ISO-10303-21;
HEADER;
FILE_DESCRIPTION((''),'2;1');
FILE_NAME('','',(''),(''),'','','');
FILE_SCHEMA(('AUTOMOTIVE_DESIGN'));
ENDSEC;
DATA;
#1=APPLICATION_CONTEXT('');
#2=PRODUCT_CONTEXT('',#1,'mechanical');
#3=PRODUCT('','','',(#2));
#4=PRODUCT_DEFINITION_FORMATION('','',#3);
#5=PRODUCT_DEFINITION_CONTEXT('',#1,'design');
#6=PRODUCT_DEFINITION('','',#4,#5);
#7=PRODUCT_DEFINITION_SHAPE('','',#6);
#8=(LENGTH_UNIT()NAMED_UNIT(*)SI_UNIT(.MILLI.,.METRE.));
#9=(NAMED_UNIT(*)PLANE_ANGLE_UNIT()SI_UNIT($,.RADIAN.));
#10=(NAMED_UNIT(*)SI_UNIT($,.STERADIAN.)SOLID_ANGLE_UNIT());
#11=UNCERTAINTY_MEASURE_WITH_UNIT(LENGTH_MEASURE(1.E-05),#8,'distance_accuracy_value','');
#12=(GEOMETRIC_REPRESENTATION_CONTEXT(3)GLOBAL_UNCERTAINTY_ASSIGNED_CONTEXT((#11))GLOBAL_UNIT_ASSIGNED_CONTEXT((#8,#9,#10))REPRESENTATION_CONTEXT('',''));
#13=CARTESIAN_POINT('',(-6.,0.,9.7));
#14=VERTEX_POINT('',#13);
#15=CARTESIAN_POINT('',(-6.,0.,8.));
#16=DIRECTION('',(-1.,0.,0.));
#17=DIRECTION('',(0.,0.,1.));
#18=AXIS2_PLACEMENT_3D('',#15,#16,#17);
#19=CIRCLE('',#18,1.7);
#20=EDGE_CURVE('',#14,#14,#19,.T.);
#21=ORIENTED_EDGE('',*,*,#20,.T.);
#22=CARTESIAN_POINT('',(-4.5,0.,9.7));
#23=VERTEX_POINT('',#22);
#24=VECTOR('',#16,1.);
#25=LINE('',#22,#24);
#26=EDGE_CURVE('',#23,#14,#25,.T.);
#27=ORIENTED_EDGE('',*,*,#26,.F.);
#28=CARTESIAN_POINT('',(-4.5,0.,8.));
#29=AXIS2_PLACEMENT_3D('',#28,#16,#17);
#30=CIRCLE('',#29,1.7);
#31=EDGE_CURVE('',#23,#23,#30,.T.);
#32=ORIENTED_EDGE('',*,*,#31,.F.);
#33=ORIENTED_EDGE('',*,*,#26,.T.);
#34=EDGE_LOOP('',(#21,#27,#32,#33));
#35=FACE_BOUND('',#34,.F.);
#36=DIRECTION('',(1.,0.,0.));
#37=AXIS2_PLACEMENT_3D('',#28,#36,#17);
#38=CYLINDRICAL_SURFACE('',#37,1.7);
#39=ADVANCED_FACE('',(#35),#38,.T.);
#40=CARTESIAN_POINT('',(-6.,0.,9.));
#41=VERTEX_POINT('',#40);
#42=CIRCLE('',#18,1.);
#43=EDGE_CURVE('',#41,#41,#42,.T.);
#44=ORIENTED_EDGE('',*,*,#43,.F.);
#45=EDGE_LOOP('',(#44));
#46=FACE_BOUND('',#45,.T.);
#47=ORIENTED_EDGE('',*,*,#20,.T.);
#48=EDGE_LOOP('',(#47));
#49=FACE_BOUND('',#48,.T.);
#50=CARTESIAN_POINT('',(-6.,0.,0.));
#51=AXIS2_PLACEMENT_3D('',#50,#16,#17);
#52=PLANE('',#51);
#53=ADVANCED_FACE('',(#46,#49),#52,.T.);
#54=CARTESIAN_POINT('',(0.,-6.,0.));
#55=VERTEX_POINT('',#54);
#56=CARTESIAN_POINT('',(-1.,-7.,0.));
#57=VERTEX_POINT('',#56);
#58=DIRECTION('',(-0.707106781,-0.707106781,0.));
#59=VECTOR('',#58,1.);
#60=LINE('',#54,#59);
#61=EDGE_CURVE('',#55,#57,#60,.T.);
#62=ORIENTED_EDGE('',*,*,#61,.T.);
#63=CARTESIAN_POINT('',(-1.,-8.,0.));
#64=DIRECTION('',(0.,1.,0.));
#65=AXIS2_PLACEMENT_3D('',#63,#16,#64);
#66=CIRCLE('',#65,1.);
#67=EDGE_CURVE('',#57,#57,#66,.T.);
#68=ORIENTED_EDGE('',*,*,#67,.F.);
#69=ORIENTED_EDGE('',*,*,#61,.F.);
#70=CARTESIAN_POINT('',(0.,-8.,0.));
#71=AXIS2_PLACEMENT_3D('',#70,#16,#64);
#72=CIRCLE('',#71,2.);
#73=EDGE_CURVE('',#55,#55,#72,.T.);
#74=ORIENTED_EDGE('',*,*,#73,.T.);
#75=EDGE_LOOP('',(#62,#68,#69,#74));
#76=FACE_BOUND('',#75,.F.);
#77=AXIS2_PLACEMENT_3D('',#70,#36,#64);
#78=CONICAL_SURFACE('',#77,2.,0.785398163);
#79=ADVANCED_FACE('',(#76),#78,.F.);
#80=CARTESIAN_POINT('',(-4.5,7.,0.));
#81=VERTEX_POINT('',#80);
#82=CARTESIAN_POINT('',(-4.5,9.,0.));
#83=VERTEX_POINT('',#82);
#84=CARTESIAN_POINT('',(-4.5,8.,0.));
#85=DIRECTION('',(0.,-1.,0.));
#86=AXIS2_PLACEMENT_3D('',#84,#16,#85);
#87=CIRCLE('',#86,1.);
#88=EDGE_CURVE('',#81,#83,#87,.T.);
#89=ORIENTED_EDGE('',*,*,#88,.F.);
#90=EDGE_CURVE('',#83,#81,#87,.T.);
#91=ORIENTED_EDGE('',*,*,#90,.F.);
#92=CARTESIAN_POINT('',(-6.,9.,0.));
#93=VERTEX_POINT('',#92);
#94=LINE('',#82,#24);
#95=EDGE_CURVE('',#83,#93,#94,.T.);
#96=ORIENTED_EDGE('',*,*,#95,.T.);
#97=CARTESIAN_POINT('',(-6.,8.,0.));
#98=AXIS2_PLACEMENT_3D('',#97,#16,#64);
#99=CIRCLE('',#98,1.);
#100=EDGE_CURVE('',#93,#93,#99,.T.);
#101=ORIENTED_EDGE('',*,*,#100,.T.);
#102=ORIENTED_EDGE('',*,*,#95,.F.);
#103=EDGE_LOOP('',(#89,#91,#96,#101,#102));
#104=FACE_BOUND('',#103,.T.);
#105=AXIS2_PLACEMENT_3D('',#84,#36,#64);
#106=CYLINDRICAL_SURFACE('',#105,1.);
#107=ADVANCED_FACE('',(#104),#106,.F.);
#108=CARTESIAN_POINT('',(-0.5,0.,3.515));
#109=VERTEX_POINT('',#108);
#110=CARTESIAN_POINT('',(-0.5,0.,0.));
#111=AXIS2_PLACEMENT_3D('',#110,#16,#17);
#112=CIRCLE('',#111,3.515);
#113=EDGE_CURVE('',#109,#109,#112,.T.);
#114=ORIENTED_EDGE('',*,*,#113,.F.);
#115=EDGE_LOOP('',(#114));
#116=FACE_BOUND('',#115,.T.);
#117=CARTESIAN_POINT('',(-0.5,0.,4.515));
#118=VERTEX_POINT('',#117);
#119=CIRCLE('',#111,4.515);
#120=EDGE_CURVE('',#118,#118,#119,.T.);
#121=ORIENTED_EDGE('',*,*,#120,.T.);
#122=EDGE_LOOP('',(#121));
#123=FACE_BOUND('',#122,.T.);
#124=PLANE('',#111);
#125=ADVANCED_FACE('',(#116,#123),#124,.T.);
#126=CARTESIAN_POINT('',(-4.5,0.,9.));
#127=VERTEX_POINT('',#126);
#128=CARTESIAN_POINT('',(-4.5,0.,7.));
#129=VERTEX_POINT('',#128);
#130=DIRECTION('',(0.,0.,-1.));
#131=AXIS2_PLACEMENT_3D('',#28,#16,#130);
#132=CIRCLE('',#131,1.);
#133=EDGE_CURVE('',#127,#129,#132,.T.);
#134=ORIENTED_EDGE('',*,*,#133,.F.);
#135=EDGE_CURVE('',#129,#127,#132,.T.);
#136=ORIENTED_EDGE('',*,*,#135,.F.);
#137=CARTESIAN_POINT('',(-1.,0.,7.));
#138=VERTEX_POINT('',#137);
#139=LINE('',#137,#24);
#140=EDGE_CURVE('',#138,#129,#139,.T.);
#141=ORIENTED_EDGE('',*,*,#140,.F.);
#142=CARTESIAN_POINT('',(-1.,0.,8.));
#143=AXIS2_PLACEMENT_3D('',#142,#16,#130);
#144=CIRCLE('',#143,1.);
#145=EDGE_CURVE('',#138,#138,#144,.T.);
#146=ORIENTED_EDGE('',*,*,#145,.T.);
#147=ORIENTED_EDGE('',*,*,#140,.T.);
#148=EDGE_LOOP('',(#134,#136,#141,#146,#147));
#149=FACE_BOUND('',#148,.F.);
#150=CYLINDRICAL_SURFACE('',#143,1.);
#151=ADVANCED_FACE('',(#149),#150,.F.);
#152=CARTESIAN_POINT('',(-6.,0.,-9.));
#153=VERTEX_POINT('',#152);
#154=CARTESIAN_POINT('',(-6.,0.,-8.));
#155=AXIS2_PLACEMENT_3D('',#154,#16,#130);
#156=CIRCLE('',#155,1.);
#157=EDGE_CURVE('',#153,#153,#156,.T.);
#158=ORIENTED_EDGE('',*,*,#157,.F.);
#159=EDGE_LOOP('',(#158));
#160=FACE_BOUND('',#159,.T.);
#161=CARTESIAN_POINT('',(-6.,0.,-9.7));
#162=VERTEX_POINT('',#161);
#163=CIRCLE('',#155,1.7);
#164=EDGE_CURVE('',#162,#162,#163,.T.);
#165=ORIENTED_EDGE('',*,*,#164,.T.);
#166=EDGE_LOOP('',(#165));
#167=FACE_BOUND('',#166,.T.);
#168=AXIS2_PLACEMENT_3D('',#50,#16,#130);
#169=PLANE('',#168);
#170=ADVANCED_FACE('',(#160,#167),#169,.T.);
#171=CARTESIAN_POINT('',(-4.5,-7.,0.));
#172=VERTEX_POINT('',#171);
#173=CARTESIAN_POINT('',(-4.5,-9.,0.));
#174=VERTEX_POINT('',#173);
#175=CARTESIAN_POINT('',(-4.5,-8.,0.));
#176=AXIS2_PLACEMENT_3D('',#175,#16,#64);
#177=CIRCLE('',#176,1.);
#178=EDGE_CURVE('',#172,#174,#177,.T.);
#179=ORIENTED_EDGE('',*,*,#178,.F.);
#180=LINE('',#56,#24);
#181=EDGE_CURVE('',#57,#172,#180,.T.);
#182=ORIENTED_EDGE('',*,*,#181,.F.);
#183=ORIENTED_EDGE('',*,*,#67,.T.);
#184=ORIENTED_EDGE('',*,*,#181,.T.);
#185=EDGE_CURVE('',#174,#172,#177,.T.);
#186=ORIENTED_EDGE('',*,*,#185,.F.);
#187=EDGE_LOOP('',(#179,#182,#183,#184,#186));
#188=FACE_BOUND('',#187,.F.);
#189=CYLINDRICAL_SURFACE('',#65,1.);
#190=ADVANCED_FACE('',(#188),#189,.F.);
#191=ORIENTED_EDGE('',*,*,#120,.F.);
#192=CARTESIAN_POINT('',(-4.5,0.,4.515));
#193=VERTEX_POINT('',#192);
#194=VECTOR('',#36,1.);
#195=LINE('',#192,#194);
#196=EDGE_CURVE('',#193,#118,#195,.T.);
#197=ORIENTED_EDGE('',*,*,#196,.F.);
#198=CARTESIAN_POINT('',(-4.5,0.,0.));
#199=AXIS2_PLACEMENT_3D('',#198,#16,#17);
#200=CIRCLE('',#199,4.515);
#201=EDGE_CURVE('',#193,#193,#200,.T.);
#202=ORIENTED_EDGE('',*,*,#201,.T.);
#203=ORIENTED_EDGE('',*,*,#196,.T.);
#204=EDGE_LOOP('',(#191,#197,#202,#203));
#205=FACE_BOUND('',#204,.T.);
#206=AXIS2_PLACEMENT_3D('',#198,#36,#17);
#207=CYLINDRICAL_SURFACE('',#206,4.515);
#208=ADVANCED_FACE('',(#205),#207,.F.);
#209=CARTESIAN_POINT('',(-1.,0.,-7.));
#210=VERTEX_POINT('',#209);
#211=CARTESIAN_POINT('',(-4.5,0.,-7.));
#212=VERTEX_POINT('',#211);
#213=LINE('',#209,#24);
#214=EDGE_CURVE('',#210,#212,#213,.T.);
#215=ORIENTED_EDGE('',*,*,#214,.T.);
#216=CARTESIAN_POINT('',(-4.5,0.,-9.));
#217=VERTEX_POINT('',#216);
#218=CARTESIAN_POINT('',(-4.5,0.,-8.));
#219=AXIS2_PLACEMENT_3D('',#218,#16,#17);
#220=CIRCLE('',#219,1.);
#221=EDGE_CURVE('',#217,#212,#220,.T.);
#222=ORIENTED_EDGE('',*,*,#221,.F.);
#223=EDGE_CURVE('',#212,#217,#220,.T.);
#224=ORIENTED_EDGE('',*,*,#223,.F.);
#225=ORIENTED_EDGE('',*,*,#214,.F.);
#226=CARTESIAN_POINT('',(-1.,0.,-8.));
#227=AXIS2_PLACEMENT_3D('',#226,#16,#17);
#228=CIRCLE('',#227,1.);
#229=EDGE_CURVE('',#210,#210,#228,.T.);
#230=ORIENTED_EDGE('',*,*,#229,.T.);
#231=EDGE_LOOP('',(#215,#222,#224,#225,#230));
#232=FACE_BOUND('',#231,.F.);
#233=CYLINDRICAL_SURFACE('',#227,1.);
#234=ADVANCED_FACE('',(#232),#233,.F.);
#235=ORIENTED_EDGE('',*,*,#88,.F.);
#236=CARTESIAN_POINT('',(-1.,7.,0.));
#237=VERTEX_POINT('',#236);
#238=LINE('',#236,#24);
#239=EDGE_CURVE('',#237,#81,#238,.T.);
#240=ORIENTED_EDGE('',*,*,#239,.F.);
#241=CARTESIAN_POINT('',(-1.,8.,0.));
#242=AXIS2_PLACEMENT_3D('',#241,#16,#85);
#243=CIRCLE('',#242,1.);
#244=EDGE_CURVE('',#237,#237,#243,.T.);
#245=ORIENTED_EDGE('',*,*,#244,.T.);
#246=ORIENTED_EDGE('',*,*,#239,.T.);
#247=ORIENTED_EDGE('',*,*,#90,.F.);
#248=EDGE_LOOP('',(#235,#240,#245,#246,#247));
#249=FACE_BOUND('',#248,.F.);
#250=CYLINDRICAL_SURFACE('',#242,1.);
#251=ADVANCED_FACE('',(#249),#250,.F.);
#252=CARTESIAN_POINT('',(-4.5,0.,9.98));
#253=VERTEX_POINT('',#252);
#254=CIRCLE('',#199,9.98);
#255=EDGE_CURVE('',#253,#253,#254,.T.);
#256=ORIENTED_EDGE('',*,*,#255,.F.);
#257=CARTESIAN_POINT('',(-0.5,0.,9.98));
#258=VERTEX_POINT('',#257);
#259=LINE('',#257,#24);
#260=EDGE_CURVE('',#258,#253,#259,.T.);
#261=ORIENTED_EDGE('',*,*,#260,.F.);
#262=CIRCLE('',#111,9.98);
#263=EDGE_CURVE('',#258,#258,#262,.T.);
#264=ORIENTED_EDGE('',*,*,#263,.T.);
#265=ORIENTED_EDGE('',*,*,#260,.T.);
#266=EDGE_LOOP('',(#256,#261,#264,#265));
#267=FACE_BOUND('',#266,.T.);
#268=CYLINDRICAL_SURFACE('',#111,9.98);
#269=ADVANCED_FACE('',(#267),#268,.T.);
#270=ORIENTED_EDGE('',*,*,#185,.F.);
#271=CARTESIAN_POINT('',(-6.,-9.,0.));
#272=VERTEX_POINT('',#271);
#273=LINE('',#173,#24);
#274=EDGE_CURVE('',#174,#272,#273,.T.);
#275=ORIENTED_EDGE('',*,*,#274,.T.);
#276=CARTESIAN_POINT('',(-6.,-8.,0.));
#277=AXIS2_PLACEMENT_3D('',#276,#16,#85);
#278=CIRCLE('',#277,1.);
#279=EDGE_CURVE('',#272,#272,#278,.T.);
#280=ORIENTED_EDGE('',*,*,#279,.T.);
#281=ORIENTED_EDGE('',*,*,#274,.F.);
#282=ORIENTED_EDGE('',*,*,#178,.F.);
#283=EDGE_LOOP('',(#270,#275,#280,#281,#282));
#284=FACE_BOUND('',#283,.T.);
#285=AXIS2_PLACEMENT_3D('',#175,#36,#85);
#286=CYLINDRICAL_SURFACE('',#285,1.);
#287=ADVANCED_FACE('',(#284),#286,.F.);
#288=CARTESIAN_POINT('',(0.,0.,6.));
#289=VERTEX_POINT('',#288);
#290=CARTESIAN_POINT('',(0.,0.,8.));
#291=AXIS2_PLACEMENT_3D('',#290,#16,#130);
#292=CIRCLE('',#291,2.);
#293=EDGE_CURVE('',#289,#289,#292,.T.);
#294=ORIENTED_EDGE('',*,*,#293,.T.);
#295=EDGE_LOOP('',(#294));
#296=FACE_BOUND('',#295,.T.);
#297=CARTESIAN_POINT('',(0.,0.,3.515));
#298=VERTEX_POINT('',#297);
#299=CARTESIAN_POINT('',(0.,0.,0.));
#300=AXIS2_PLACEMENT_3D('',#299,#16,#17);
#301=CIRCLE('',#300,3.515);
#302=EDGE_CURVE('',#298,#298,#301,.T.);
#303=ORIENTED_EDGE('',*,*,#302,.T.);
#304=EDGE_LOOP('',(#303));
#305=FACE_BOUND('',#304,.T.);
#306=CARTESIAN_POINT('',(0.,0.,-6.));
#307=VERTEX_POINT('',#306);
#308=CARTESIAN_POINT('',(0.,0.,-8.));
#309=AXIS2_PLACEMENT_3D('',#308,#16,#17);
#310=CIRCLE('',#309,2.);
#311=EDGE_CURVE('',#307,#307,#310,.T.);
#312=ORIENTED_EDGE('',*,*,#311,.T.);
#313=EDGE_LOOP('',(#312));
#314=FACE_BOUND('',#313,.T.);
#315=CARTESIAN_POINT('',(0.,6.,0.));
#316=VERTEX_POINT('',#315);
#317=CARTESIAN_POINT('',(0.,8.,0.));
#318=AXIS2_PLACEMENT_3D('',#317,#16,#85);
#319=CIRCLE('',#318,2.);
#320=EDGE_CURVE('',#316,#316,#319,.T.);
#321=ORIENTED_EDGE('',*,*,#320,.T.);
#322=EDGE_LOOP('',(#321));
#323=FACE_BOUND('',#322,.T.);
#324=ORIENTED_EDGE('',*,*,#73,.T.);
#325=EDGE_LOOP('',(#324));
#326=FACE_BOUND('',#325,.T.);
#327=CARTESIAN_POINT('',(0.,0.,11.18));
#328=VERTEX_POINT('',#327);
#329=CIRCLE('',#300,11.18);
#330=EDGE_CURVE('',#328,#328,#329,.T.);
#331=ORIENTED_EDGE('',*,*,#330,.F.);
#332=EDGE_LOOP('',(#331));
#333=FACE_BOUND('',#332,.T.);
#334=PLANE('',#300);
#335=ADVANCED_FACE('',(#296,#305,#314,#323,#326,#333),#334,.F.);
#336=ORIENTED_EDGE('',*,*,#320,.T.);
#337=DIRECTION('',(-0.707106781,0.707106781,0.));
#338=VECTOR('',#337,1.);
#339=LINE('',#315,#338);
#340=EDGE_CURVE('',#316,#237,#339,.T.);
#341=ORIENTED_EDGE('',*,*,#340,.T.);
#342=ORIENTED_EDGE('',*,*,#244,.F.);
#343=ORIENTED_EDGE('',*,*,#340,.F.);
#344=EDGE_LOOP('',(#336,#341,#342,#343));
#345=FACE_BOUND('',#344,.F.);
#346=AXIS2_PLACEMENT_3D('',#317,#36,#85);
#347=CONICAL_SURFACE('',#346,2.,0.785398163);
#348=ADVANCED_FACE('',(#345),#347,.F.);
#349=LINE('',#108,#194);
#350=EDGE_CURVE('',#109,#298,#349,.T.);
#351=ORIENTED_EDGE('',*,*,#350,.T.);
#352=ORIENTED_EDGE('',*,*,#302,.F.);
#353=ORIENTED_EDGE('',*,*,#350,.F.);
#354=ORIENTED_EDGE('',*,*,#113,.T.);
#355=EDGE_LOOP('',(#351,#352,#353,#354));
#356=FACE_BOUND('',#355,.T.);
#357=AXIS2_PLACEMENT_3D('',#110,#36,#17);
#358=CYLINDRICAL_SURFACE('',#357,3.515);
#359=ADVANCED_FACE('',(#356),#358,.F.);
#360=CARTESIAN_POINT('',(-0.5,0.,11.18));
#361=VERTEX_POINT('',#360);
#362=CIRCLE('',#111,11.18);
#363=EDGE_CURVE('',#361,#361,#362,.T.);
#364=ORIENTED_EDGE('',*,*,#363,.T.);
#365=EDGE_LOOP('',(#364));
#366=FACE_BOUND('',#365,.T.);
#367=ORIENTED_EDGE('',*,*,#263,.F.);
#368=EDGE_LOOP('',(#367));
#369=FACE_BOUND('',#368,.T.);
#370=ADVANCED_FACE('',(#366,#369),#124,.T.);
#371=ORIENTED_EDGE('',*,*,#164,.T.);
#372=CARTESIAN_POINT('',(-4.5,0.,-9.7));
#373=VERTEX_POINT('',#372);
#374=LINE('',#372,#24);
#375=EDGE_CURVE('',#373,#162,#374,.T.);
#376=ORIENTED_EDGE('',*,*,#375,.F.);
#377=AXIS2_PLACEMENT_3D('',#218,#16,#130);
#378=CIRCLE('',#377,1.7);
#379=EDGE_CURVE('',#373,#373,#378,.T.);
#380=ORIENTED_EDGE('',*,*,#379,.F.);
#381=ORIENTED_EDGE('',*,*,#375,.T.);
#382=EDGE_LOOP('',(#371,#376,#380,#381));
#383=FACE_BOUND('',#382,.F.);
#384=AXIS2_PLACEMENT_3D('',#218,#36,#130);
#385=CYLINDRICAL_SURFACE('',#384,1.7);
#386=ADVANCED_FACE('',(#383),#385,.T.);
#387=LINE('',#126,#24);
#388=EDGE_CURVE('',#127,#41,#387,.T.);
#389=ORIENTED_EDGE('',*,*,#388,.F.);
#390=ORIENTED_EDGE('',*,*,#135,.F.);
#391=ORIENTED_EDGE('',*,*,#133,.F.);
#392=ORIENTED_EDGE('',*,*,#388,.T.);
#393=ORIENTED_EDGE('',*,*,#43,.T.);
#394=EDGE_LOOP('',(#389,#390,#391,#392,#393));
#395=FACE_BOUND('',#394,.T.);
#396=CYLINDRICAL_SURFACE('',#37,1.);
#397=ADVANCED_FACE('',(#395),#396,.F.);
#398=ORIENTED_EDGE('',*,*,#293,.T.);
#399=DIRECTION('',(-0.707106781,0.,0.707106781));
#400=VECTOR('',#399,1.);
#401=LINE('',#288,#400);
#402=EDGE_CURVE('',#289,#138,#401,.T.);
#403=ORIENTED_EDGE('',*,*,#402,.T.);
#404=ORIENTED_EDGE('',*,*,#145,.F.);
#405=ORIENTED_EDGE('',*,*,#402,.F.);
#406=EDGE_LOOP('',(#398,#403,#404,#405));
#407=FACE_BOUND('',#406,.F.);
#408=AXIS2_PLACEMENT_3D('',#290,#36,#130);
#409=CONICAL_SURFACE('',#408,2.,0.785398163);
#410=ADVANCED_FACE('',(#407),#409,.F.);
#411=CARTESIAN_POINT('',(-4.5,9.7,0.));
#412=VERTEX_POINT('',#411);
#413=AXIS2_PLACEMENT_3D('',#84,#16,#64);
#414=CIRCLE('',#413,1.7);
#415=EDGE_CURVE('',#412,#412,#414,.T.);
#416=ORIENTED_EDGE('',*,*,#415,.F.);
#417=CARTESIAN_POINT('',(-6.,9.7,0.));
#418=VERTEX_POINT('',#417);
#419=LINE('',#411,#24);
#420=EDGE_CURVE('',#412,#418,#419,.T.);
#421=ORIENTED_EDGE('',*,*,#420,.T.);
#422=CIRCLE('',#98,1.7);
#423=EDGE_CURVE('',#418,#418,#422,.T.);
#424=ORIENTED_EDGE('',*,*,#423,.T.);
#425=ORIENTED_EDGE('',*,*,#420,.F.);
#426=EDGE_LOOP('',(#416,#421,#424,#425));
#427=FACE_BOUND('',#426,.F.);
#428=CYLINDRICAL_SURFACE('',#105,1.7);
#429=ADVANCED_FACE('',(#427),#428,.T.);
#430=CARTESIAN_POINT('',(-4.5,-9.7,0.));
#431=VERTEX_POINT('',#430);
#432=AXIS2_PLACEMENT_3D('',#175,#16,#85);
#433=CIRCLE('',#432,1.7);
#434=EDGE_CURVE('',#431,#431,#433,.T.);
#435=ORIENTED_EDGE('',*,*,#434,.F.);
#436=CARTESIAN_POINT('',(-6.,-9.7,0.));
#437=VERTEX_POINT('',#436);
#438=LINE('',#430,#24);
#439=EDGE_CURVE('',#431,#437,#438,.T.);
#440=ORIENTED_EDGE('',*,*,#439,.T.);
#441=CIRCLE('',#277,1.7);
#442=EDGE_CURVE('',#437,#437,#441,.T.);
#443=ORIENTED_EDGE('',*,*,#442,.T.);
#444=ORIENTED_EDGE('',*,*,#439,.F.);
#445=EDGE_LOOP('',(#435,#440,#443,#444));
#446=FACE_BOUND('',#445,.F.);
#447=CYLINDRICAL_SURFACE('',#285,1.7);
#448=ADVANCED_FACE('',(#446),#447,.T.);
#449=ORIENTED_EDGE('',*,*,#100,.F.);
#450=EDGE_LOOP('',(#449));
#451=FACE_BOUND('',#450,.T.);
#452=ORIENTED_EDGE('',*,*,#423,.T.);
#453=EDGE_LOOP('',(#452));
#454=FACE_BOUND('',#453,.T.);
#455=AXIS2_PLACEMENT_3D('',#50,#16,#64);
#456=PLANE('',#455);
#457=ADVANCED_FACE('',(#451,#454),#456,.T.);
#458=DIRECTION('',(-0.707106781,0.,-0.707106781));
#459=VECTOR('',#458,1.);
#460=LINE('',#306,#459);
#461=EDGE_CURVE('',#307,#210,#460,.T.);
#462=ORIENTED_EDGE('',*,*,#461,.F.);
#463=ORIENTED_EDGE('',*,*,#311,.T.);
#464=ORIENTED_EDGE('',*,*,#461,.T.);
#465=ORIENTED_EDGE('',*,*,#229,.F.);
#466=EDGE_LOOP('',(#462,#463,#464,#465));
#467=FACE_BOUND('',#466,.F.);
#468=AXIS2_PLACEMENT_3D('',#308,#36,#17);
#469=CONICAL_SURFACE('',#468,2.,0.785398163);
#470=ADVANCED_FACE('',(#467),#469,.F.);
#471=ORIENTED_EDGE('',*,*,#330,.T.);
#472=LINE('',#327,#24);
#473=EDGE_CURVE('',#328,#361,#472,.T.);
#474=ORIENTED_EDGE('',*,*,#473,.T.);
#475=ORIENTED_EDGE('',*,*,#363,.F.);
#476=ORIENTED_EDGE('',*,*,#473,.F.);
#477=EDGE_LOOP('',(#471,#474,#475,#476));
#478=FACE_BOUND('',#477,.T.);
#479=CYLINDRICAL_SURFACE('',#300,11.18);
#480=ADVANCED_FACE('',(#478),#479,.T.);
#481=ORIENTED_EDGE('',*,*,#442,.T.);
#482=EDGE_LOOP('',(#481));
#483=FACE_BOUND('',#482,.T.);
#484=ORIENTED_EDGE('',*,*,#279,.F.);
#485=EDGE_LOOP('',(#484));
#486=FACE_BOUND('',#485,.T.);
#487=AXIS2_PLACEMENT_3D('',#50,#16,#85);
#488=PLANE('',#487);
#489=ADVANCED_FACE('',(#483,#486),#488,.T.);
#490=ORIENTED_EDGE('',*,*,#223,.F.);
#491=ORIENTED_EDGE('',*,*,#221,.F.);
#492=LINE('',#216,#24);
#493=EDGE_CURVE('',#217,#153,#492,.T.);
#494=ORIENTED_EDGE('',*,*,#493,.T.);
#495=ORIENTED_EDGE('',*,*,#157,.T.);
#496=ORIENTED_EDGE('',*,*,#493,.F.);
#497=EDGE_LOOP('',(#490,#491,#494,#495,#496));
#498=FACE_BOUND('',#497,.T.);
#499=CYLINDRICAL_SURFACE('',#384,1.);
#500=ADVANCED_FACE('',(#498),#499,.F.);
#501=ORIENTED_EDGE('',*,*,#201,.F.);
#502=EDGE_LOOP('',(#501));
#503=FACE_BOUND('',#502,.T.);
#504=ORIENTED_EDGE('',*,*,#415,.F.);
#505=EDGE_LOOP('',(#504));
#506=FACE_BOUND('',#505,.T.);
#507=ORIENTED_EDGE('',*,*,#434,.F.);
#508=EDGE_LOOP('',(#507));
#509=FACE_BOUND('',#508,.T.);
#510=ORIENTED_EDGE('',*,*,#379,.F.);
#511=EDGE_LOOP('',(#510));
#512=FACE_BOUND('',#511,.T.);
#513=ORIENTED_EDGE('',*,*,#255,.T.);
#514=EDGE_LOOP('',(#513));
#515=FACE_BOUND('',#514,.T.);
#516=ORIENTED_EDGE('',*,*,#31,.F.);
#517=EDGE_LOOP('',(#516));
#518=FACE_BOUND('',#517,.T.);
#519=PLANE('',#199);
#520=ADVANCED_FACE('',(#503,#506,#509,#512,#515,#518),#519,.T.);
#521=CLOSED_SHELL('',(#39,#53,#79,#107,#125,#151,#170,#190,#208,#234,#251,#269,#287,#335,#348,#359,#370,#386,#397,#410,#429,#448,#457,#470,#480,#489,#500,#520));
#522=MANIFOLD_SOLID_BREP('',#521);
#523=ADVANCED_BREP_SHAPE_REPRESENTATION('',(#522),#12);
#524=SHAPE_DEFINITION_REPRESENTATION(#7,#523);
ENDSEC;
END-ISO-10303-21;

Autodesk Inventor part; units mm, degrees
ref_plane "YZ Plane" through (0, 0, 0) normal (1, 0, 0) x (0, 1, 0)
ref_plane "XZ Plane" through (0, 0, 0) normal (0, 1, 0) x (-1, 0, 0)
ref_plane "XY Plane" through (0, 0, 0) normal (0, 0, 1) x (1, 0, 0)
sketch "Skizze1" plane through (0, 0, 0) normal (0, 1, 0) x (-1, 0, 0)
  line L0 (0, 11.18) -> (0.5, 11.18)
  line L1 (0.5, 11.18) -> (0.5, 9.98)
  line L2 (0.5, 9.98) -> (4.5, 9.98)
  line L3 (4.5, 9.98) -> (4.5, 4.515)
  line L4 (4.5, 4.515) -> (0.5, 4.515)
  line L5 (0.5, 4.515) -> (0.5, 3.515)
  line L6 (0.5, 3.515) -> (0, 3.515)
  line L7 (0, 3.515) -> (0, 11.18)
  line L8 (0, 0) -> (7.49, 0)
  dimension "d1" = 9.03
  dimension "d2" = 1
  dimension "d3" = 4
  dimension "d5" = 19.96
  dimension "d6" = 1.2
  dimension "d7" = 4
  dimension "d9" = 0.5
revolve "Umdrehung1" add sketch "Skizze1" angle 360 about axis through (0, 0, 0) along (-1, 0, 0)
sketch "Skizze2" plane through (0, 0, 0) normal (1, 0, 0) x (0, 0, -1)
  line L0 (-15.652, 0) -> (15.652, 0) projected
  point P0 (0, 0)
  point P1 (-8, 0)
  dimension "d11" = 8
hole "Bohrung1" at (0, 0, 8) direction (-1, 0, 0) diameter 2 depth 5 tip angle 118 countersink diameter 4 countersink angle 90
sketch "Skizze4" plane through (-4.5, 0, 0) normal (-1, 0, 0) x (0, 0, 1)
  circle A0 centre (8, 0) radius 1 projected
  circle A1 centre (8, 0) radius 1.7
  point P0 (0, 0)
  dimension "d22" = 3.4
extrude "Extrusion1" add sketch "Skizze4" along normal blind 1.5
pattern_circular "Runde Anordnung1" count 4 over 360 about axis through (-10, 0, 0) along (1, 0, 0) of "Bohrung1", "Extrusion1"
properties part number "Getriebe Abdeckung" material "Aluminium 6061"
